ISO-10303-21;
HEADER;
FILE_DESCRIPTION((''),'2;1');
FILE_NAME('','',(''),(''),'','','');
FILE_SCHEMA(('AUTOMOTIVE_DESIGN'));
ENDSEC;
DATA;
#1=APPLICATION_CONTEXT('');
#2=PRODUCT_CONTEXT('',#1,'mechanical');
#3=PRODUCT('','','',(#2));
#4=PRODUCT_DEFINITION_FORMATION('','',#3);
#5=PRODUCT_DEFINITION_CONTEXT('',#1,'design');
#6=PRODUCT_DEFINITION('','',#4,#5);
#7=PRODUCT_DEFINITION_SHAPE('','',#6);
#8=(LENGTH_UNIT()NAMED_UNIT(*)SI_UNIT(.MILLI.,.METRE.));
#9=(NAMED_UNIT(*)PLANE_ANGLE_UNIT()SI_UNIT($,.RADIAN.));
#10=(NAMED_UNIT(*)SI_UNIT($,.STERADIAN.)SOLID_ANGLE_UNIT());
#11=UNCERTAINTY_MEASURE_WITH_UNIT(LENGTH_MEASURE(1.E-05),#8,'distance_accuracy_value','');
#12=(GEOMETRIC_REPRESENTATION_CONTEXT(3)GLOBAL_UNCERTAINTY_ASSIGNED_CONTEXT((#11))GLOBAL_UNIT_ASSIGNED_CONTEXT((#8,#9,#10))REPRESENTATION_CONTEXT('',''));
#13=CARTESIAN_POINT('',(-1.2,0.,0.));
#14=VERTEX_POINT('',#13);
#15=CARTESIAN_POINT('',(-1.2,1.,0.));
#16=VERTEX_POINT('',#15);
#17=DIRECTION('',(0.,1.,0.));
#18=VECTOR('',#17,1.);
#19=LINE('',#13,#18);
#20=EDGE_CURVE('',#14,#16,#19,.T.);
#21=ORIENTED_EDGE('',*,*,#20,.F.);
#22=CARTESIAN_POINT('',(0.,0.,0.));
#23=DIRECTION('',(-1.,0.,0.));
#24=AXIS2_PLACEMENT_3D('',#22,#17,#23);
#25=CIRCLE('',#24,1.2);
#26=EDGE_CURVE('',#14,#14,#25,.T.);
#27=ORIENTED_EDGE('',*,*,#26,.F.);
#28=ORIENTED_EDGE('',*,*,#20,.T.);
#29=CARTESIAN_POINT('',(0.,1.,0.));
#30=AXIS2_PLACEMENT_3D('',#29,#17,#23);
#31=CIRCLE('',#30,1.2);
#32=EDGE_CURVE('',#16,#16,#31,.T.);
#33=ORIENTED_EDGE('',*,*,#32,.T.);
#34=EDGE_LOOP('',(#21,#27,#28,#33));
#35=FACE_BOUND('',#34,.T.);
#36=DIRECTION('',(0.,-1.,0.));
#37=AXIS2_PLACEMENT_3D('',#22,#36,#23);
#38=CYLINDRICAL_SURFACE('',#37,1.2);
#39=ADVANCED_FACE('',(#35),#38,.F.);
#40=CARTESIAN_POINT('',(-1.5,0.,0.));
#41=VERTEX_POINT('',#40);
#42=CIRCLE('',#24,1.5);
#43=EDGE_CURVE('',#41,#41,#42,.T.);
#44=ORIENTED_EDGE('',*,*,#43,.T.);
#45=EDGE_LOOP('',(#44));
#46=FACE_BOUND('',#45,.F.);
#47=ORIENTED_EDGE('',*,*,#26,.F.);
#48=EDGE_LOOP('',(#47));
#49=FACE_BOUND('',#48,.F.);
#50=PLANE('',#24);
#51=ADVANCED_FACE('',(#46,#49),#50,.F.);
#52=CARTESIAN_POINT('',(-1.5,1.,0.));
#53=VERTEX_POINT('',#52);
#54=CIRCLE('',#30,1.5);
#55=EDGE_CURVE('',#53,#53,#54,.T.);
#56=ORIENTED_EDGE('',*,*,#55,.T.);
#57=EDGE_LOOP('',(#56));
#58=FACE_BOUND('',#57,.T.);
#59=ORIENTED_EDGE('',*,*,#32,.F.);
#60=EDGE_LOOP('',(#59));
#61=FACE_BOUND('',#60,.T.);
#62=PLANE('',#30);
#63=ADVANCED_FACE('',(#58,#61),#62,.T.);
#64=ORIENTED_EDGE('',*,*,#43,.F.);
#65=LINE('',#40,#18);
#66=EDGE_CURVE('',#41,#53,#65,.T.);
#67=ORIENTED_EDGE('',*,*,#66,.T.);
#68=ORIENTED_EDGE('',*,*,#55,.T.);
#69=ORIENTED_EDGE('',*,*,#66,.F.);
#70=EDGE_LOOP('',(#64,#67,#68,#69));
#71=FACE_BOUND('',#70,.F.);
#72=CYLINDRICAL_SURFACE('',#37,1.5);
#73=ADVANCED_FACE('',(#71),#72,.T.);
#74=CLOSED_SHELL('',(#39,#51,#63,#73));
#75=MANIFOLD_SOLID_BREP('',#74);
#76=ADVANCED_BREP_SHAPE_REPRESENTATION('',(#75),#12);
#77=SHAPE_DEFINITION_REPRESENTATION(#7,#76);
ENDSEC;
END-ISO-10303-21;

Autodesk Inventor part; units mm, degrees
ref_plane "YZ Plane" through (0, 0, 0) normal (1, 0, 0) x (0, 1, 0)
ref_plane "XZ Plane" through (0, 0, 0) normal (0, 1, 0) x (-1, 0, 0)
ref_plane "XY Plane" through (0, 0, 0) normal (0, 0, 1) x (1, 0, 0)
sketch "Sketch1" plane through (0, 0, 0) normal (0, 1, 0) x (-1, 0, 0)
  circle A0 centre (0, 0) radius 1.5
  circle A1 centre (0, 0) radius 1.2
  dimension "d0" = 3
  dimension "d1" = 2.4
extrude "Extrusion1" add sketch "Sketch1" along normal blind 1
properties part number "leveller-1"
